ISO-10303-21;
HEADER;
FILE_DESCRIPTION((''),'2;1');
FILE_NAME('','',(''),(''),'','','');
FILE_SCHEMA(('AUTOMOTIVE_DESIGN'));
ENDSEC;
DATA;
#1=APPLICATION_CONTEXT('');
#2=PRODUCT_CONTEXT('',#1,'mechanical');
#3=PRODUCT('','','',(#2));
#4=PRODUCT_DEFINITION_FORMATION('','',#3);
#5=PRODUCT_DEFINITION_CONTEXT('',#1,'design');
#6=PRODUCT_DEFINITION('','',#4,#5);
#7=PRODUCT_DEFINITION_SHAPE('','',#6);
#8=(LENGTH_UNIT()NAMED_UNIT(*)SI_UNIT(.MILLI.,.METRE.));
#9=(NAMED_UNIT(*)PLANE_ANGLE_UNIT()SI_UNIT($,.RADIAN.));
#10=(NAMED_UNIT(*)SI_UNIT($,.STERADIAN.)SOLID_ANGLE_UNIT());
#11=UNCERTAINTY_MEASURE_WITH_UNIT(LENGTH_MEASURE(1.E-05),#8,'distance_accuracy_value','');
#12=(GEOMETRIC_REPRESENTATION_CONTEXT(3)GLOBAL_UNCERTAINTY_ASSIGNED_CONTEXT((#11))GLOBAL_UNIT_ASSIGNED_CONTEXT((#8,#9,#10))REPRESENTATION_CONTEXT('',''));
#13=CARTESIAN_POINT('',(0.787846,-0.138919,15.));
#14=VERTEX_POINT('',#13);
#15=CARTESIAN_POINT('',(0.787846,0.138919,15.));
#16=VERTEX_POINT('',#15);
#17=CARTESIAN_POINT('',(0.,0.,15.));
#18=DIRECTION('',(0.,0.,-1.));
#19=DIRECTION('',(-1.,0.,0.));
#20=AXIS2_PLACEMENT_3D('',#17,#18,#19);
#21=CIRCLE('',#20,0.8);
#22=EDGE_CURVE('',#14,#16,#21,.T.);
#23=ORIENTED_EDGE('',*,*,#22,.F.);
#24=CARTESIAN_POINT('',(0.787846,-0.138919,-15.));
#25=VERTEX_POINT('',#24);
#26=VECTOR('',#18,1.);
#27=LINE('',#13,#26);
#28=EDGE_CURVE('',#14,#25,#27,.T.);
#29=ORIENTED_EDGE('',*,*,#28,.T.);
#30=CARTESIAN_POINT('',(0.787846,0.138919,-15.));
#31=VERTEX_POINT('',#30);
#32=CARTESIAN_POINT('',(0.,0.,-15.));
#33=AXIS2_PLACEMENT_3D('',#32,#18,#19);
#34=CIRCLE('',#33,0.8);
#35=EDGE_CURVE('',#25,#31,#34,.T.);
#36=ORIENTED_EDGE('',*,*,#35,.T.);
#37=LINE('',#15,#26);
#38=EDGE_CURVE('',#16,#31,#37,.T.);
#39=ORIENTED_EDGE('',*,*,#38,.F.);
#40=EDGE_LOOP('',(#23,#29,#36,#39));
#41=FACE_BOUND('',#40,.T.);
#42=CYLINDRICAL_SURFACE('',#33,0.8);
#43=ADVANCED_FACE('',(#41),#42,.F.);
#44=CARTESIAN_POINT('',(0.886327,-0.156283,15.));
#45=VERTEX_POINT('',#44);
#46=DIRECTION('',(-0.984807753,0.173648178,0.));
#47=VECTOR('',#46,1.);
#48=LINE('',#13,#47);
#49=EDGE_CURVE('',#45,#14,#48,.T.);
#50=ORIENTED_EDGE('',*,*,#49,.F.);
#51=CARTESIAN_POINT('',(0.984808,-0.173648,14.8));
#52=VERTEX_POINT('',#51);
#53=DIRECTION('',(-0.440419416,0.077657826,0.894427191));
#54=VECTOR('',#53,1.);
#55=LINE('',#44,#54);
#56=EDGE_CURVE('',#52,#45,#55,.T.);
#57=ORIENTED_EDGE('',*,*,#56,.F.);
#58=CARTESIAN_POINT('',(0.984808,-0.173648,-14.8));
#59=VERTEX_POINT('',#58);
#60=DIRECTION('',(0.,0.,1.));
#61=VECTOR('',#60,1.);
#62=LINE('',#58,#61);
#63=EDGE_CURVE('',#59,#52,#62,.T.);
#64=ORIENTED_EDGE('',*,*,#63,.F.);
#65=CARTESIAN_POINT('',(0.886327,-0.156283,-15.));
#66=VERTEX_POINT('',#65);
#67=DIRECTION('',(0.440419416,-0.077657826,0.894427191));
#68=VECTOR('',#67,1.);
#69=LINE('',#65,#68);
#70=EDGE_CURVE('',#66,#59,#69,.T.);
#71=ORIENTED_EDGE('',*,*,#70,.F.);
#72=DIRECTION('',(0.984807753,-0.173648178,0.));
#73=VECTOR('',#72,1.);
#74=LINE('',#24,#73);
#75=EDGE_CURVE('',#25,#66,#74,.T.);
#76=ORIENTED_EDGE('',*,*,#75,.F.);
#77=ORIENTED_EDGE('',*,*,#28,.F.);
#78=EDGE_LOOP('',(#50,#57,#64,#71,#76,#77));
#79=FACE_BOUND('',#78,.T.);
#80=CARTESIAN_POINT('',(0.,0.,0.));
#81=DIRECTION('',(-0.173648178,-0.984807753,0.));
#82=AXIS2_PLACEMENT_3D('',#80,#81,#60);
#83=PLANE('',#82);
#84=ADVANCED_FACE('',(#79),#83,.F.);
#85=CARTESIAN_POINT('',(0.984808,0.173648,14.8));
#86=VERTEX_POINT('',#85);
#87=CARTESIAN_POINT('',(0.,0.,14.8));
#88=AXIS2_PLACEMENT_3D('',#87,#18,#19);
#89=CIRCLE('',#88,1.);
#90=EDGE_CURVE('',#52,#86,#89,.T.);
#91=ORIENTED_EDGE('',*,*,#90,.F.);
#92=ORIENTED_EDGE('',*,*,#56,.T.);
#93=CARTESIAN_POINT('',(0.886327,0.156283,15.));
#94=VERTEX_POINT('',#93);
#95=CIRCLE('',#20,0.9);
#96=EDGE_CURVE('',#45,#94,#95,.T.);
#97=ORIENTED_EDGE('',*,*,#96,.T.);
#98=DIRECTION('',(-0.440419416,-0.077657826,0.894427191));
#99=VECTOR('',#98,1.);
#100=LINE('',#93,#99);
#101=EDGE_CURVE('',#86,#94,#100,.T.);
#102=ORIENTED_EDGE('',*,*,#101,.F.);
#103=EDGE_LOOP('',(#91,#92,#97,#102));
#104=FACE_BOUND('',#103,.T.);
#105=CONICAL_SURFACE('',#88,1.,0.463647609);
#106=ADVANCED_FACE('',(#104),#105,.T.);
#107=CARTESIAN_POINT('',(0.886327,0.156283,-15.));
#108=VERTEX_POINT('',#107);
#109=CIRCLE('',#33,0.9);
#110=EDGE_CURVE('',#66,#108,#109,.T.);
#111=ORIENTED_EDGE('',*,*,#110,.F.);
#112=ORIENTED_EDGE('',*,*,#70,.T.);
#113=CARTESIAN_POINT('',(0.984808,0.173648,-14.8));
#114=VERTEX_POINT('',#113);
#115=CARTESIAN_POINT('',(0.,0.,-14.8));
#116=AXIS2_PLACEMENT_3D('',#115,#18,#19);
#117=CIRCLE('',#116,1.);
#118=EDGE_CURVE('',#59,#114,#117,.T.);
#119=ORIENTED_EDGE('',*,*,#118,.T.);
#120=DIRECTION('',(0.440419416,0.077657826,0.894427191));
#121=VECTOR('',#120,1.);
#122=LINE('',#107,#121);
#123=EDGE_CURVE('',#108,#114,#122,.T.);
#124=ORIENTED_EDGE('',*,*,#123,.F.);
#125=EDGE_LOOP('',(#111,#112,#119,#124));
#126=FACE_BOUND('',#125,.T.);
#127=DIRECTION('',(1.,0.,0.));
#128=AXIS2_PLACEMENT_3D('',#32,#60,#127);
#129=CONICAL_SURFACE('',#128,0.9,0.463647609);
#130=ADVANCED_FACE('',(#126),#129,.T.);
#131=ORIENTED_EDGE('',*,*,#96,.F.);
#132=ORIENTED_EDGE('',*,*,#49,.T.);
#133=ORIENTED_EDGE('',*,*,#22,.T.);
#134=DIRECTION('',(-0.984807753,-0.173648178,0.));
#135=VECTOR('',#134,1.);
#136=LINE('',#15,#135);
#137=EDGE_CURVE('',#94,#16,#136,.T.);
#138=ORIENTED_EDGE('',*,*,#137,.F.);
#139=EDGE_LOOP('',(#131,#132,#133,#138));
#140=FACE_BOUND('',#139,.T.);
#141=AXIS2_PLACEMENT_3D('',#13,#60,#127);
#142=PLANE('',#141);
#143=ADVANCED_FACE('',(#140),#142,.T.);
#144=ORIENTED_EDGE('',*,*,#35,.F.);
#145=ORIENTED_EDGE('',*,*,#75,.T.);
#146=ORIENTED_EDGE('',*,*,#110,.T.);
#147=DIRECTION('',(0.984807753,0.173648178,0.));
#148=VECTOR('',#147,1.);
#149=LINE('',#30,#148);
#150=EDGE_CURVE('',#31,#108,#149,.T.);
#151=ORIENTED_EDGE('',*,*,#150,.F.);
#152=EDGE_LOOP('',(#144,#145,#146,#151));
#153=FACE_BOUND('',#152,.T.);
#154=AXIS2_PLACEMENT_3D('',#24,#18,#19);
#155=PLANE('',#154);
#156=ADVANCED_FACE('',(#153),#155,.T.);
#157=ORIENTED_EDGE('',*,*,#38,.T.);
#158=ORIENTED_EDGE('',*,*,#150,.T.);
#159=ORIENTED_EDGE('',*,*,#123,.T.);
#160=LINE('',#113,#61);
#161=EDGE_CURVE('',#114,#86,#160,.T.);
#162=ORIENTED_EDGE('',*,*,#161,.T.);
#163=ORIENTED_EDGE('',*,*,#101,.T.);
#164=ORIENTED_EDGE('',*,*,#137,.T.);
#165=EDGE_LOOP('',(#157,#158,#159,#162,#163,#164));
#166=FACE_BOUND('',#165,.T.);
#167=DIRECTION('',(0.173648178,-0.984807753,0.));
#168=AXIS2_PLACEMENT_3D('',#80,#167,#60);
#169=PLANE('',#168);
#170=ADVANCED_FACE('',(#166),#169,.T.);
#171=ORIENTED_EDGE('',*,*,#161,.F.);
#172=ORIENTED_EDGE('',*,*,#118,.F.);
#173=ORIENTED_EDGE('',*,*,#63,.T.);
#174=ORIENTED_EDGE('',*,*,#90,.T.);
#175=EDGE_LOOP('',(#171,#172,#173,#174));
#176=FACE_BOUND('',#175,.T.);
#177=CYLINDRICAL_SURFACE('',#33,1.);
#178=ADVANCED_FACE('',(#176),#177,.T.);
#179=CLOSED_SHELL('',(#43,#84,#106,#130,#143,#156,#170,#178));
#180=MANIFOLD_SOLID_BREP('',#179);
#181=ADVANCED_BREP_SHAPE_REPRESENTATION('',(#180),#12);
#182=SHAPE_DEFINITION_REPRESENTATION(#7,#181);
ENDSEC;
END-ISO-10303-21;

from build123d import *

# Parameters (mm, degrees)
REVOLVE1_ANGLE = 340


with BuildPart() as part:
    # Sketch2 → Revolve1 (revolve, symmetric)
    with BuildSketch(Plane(origin=(0, 0, 0), x_dir=(1, 0, 0), z_dir=(0, 1, 0))) as revolve1_sk:
        Polygon((-0.8, 15), (-0.9, 15), (-1, 14.8), (-1, -14.8), (-0.9, -15), (-0.8, -15), align=None)
    revolve(axis=Axis((0, 0, -15), (0, 0, 1)), revolution_arc=REVOLVE1_ANGLE / 2)
    revolve(revolve1_sk.sketch, axis=Axis((0, 0, -15), (0, 0, -1)), revolution_arc=REVOLVE1_ANGLE / 2)


solid = part.part
